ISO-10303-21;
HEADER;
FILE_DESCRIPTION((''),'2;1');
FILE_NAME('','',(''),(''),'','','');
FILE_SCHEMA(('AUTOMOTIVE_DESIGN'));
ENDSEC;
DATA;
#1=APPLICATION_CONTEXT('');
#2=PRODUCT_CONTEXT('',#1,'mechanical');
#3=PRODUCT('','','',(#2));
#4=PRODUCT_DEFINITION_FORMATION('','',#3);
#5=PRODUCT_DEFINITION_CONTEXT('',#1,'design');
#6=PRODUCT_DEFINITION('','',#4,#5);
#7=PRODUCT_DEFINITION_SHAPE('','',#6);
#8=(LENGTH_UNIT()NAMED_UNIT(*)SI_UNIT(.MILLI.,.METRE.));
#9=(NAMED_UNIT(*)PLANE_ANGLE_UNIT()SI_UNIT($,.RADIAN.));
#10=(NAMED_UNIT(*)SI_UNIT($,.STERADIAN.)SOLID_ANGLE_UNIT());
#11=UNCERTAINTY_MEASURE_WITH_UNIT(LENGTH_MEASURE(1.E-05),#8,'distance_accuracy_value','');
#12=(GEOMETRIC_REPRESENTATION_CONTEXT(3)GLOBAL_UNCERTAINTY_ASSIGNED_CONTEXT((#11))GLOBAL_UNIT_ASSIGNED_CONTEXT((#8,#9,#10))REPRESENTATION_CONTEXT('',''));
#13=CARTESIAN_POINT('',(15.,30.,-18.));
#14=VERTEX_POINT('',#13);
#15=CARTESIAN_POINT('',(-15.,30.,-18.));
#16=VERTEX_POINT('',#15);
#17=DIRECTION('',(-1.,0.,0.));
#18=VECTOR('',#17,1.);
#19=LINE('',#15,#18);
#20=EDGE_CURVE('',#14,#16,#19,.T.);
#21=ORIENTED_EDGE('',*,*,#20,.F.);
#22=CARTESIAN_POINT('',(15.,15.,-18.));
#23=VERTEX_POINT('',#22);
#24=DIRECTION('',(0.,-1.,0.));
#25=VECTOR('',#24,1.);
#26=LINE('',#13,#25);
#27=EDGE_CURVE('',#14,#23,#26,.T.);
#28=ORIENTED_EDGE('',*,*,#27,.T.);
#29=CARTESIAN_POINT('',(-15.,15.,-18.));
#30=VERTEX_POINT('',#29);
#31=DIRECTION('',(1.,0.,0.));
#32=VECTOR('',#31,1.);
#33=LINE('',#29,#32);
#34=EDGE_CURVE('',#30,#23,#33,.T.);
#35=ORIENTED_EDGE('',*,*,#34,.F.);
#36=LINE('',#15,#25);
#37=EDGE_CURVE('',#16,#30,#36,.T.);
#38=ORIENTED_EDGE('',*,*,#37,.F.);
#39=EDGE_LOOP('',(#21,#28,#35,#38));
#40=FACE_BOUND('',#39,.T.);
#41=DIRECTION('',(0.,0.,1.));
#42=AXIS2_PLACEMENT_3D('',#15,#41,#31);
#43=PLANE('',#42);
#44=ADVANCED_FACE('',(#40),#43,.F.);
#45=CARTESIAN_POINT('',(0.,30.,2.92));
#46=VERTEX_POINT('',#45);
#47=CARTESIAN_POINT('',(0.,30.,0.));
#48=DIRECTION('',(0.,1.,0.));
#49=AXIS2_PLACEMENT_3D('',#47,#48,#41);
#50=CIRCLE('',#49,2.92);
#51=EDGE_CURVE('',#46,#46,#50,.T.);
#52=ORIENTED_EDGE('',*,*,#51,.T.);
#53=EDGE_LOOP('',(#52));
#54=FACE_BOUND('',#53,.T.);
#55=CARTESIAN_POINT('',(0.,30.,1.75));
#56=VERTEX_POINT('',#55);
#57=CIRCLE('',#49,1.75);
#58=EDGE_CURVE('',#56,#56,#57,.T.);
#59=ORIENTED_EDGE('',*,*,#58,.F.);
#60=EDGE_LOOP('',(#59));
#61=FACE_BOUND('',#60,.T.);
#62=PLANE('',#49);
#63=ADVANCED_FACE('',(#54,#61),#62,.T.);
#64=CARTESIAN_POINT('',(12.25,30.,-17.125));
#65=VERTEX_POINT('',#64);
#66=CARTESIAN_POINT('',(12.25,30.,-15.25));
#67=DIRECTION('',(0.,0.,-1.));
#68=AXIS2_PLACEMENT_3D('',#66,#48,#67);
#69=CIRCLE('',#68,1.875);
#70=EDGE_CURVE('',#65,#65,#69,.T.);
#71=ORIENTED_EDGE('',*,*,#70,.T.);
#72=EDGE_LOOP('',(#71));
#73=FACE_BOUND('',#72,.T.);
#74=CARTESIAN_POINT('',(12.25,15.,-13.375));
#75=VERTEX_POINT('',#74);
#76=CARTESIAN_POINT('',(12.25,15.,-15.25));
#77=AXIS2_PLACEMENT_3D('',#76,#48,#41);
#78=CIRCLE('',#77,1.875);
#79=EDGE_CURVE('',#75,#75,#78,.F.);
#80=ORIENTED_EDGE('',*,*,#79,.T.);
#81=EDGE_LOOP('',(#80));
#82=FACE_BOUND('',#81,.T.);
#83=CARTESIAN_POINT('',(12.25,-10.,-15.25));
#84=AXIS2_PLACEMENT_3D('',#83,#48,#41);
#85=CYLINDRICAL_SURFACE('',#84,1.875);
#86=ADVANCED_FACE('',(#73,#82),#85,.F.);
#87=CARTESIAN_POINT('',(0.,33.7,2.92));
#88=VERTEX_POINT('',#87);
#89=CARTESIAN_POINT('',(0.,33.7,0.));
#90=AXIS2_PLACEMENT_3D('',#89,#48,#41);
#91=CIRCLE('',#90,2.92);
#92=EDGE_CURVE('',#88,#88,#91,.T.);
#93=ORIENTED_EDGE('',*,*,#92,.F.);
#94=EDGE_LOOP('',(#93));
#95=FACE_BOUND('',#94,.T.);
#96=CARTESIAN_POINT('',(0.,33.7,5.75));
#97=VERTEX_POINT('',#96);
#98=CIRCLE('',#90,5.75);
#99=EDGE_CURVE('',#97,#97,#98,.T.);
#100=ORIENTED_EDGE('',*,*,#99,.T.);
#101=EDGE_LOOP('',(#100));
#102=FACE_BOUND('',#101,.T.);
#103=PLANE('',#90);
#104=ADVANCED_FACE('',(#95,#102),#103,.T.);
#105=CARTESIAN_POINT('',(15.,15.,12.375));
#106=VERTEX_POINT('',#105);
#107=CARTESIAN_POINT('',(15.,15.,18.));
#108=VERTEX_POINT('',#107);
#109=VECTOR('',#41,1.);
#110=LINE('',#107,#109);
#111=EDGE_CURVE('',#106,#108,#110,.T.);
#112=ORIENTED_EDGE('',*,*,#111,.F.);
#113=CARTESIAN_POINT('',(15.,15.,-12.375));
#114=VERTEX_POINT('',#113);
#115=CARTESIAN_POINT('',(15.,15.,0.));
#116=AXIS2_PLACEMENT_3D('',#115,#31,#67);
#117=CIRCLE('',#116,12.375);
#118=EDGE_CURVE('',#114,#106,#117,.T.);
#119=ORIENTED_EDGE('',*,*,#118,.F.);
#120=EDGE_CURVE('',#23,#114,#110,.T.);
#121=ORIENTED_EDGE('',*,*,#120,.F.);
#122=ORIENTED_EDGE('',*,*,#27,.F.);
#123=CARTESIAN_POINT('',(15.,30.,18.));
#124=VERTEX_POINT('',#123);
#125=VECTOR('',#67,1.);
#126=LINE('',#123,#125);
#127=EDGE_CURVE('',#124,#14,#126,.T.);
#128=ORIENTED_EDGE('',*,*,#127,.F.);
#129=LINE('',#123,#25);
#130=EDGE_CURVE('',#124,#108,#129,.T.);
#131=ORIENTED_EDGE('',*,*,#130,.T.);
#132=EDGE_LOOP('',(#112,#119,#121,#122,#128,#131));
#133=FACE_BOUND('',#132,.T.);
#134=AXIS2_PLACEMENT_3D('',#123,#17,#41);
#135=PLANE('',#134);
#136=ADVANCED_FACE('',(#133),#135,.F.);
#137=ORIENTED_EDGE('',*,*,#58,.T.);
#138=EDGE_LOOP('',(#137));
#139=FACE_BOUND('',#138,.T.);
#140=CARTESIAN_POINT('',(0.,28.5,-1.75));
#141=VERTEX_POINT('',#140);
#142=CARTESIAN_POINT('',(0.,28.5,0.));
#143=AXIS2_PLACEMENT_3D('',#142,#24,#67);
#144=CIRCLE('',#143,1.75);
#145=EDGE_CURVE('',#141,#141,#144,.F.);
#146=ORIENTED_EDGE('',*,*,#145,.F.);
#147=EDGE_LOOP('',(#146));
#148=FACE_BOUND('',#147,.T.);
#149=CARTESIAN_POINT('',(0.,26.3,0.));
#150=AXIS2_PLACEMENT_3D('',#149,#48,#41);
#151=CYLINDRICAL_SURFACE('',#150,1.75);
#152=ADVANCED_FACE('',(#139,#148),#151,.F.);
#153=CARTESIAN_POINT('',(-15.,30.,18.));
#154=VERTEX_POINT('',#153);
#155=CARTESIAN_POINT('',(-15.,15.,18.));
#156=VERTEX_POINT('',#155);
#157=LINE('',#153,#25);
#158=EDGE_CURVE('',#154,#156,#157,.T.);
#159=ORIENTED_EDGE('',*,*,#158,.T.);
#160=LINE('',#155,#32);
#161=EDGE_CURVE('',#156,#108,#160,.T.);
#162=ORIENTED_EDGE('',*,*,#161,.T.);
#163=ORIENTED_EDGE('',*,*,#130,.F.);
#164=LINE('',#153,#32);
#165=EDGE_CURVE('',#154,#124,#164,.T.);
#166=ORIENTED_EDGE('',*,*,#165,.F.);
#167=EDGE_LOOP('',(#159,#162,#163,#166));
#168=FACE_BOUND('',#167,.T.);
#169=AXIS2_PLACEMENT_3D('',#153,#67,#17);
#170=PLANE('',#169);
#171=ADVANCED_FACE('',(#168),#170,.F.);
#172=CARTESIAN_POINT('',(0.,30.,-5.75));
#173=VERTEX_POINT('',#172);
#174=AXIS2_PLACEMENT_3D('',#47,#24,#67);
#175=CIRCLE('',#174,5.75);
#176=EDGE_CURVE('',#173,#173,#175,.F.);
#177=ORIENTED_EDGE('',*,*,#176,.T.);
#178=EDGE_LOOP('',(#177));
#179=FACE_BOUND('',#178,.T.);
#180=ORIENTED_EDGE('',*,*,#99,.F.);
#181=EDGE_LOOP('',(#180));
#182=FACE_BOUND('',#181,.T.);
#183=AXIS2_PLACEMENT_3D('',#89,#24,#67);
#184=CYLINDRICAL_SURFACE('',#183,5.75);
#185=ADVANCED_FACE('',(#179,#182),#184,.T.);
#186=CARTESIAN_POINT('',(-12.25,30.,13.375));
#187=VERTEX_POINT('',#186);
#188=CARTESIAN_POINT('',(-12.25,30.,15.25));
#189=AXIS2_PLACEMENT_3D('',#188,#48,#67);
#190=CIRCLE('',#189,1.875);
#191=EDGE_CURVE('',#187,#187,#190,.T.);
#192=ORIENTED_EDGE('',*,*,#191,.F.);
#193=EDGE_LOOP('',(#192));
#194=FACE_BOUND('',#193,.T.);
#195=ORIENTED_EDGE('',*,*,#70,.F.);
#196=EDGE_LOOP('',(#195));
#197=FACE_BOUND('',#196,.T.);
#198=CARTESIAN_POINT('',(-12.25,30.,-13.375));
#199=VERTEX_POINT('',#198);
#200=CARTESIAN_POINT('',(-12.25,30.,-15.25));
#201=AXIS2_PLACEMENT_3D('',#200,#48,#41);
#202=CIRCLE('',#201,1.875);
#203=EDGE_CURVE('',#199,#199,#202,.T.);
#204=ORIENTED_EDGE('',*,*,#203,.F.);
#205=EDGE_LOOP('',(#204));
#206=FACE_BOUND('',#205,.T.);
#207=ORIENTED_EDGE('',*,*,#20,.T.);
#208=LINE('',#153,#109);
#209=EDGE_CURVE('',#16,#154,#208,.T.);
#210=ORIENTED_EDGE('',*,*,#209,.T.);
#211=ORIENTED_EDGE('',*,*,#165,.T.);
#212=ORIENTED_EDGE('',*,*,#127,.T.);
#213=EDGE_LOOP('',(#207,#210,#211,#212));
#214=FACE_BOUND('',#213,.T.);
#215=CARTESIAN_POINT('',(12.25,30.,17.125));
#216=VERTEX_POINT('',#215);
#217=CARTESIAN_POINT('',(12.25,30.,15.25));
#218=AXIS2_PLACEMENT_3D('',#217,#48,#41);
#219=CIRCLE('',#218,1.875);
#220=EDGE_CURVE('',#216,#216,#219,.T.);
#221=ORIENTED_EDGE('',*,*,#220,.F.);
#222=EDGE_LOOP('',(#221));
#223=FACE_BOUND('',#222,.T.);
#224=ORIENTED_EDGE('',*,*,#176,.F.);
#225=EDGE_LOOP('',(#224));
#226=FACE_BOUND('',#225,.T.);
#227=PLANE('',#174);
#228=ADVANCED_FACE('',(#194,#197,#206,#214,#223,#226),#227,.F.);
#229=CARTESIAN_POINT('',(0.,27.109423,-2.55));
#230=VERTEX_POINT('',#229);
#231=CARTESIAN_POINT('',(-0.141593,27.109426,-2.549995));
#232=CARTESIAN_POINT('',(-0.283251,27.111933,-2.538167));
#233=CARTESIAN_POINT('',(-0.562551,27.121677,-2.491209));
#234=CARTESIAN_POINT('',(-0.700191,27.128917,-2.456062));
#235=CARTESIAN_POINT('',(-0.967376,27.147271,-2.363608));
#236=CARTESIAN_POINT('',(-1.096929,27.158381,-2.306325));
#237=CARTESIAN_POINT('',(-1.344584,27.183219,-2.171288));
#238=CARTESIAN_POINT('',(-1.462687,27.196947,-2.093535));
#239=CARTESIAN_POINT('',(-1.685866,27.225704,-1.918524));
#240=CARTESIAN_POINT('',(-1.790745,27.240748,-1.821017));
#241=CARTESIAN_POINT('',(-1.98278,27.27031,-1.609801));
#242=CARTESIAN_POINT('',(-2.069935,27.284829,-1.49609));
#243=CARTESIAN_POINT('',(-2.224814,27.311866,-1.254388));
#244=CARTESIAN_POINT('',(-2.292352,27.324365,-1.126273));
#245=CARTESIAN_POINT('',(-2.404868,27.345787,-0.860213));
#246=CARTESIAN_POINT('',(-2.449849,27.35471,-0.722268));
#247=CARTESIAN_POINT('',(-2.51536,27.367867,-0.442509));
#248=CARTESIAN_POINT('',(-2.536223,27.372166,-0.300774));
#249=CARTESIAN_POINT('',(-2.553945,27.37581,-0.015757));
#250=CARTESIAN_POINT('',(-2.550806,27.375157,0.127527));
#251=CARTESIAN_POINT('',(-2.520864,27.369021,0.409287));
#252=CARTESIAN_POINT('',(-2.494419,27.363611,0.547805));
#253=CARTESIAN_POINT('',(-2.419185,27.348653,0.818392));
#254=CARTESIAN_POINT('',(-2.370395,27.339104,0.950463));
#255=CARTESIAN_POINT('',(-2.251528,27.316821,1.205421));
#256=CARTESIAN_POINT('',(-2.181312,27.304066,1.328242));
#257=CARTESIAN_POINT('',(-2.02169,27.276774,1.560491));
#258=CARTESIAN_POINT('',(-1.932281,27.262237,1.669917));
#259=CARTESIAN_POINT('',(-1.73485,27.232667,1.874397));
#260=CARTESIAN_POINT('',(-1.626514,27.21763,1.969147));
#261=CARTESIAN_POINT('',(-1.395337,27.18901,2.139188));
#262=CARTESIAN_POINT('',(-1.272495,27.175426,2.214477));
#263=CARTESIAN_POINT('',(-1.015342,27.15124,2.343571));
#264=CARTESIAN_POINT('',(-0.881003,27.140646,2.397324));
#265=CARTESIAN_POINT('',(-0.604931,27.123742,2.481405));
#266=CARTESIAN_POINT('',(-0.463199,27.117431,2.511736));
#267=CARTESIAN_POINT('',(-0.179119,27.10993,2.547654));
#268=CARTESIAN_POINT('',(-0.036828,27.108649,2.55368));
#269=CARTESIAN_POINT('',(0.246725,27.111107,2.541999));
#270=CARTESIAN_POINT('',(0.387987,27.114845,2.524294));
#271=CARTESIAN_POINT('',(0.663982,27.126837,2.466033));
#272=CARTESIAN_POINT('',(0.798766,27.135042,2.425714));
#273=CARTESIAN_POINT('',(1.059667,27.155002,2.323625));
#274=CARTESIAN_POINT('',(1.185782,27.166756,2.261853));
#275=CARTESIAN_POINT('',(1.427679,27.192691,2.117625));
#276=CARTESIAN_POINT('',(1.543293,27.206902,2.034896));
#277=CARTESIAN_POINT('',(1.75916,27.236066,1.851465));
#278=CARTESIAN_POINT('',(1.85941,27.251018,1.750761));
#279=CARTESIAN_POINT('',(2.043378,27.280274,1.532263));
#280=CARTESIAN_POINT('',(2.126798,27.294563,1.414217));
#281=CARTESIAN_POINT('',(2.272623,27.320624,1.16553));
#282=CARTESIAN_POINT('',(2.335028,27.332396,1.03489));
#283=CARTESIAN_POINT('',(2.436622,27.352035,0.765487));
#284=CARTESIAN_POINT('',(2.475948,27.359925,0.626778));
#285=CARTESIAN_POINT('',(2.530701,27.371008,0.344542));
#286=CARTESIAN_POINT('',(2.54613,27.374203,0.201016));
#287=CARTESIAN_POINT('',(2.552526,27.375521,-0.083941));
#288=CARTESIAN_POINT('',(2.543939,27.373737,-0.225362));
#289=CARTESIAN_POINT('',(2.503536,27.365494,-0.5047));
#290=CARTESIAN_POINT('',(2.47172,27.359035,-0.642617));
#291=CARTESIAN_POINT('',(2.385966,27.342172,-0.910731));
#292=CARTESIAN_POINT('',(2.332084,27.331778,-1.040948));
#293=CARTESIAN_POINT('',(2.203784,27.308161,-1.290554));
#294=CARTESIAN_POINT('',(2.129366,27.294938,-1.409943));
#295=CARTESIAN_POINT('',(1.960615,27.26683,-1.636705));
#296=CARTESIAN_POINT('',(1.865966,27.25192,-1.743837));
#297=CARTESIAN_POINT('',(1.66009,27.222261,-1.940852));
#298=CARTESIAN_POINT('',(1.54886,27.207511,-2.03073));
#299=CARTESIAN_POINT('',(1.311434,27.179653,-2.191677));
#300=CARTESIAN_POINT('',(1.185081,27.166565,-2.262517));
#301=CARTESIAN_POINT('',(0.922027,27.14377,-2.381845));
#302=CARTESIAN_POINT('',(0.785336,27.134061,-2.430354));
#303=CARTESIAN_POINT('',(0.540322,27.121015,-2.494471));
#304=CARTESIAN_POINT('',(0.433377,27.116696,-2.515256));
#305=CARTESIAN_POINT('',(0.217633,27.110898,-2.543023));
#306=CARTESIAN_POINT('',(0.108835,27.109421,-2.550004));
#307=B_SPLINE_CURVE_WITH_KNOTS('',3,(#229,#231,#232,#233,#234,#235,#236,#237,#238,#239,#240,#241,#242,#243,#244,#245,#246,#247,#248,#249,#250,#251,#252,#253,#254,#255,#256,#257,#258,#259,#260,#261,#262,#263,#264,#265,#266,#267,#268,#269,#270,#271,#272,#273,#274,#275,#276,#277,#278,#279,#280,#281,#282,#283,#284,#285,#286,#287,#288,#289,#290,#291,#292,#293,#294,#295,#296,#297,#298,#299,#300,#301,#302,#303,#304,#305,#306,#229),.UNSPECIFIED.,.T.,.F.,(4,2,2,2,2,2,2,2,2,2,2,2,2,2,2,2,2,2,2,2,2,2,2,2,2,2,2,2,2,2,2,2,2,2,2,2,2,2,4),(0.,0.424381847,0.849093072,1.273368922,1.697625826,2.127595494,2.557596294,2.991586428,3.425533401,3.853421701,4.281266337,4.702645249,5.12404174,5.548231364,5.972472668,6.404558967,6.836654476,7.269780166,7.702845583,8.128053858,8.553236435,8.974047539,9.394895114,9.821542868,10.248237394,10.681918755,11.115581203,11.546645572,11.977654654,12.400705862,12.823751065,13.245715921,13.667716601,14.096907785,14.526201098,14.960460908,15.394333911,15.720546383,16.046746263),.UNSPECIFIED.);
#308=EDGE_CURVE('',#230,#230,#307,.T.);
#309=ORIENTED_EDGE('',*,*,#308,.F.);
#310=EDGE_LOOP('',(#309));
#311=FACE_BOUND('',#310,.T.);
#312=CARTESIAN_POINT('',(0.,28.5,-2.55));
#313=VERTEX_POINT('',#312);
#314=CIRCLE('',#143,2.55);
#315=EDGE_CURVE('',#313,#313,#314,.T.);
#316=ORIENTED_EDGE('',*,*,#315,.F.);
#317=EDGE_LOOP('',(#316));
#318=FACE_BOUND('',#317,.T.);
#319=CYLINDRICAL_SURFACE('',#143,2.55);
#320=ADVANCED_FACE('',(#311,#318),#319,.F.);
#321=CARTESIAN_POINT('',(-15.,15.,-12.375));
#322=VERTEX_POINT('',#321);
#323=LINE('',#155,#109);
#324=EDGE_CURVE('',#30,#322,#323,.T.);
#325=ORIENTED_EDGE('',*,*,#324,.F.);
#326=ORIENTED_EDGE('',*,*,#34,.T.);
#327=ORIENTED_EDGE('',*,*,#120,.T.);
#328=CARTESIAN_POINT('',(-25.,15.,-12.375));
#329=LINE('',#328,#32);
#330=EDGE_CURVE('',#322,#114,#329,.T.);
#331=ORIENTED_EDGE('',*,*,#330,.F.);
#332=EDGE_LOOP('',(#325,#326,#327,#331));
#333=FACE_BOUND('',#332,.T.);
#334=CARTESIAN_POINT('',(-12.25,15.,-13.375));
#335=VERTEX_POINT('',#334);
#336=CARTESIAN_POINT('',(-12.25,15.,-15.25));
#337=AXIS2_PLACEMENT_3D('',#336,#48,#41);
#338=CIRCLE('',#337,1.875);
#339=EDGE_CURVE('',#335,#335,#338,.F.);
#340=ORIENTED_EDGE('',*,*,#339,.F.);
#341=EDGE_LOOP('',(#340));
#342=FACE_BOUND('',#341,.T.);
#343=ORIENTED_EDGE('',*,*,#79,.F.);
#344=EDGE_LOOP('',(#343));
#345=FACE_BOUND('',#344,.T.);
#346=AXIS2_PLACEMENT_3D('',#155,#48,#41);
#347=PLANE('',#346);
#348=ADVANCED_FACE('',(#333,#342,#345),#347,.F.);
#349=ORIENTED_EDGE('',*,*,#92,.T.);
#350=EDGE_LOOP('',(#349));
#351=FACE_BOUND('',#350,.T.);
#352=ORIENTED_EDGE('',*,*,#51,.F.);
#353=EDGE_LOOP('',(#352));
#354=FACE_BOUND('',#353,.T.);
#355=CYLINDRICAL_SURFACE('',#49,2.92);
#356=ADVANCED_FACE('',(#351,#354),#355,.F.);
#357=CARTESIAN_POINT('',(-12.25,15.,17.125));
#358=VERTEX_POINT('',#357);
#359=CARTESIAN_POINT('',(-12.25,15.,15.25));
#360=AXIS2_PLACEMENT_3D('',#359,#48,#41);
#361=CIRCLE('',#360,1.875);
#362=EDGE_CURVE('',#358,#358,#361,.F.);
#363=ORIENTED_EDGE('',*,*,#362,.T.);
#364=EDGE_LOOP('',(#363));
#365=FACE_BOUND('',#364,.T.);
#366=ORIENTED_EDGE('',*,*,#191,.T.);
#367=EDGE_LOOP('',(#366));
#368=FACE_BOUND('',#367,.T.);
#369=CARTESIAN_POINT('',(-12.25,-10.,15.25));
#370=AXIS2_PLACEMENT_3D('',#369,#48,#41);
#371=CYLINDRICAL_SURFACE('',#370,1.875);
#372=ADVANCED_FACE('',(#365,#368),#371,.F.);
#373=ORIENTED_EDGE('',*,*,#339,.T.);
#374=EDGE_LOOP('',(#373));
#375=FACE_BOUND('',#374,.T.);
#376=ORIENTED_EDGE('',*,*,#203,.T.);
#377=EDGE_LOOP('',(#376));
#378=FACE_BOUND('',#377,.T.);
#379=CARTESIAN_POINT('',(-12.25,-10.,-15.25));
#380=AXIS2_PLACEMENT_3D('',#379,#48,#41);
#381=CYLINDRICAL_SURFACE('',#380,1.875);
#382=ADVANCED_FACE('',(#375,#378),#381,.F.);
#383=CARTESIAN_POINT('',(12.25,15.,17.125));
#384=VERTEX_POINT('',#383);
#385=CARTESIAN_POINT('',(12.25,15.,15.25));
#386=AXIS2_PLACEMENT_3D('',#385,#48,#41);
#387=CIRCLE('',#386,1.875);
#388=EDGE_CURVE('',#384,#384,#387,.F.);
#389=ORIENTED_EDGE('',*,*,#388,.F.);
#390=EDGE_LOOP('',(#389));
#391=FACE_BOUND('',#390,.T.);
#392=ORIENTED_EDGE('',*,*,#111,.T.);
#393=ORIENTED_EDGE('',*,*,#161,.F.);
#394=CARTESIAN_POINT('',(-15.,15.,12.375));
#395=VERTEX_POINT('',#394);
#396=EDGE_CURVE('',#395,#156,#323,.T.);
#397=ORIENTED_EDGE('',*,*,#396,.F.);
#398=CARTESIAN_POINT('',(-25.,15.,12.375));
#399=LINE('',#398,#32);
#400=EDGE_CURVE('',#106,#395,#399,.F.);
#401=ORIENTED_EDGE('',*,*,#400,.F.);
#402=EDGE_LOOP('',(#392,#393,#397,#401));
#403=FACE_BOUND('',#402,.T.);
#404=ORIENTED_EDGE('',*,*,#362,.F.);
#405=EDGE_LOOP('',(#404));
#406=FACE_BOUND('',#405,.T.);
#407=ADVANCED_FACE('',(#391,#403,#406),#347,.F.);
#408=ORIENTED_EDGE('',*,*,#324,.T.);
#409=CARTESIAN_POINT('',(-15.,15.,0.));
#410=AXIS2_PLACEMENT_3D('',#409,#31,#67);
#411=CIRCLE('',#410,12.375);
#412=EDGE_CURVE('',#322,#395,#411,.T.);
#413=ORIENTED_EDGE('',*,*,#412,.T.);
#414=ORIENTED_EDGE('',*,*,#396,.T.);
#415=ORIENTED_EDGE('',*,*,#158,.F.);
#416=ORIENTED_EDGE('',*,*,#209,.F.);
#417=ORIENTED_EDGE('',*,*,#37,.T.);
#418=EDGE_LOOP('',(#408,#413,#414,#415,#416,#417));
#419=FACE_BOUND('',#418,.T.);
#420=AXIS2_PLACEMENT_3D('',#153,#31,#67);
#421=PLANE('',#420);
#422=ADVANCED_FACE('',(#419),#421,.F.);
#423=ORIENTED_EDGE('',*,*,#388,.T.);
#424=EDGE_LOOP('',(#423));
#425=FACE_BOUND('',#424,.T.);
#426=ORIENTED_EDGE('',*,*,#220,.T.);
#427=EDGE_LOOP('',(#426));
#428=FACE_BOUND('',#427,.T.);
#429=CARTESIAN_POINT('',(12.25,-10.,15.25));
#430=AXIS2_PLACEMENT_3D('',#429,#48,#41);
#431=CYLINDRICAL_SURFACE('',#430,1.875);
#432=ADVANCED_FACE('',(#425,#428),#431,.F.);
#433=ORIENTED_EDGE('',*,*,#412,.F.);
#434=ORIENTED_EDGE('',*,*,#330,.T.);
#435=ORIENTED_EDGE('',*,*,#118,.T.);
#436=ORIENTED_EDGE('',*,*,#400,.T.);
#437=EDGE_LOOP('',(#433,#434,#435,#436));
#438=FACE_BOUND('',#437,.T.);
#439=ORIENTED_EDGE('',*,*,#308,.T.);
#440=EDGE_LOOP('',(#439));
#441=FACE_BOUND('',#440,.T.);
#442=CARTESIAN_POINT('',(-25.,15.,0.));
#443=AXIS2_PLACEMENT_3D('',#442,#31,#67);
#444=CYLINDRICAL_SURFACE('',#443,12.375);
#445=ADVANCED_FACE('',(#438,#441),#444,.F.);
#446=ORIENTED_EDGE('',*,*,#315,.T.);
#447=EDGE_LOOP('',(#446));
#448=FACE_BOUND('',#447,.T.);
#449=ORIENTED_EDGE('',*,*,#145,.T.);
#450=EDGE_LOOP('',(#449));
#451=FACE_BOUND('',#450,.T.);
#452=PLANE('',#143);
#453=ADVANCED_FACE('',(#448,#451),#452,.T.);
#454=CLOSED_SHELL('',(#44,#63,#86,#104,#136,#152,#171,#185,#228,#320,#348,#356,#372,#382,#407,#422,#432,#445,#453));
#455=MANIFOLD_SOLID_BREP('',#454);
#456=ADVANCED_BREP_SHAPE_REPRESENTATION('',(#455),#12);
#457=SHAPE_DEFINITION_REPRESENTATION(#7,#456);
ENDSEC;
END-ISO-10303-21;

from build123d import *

# Parameters (mm, degrees)
SKETCH1_W           = 30
SKETCH1_H           = 36
BOSS_EXTRUDE1_DEPTH = 30
SKETCH3_R           = 12.375
CUT_EXTRUDE1_DEPTH  = 40
SKETCH5_R           = 1.875
CUT_EXTRUDE2_DEPTH  = 40
CUT_EXTRUDE3_START  = 15
SKETCH7_W           = 36
SKETCH7_H           = 15
CUT_EXTRUDE3_DEPTH  = 31
SKETCH8_R           = 5.75
BOSS_EXTRUDE2_DEPTH = 3.7
SKETCH11_R          = 2.92
CUT_EXTRUDE5_DEPTH  = 3.7
SKETCH12_R          = 1.75
CUT_EXTRUDE6_DEPTH  = 3.7
SKETCH14_R          = 2.55
CUT_EXTRUDE8_DEPTH  = 13.5


with BuildPart() as part:
    # Sketch1 → Boss-Extrude1 (new body)
    with BuildSketch(Plane(origin=(0, 0, 0), x_dir=(1, 0, 0), z_dir=(0, 1, 0))):
        Rectangle(SKETCH1_W, SKETCH1_H)
    extrude(amount=BOSS_EXTRUDE1_DEPTH)

    # Sketch3 → Cut-Extrude1 (cut)
    with BuildSketch(Plane(origin=(15, 0, 0), x_dir=(0, 0, -1), z_dir=(1, 0, 0))):
        with Locations((0, 15)):
            Circle(SKETCH3_R)
    extrude(amount=-CUT_EXTRUDE1_DEPTH, mode=Mode.SUBTRACT)

    # Sketch5 → Cut-Extrude2 (cut)
    with BuildSketch(Plane(origin=(0, 30, 0), x_dir=(1, 0, 0), z_dir=(0, 1, 0))):
        with Locations((-12.25, 15.25)):
            Circle(SKETCH5_R)
        with Locations((-12.25, -15.25)):
            Circle(SKETCH5_R)
        with Locations((12.25, -15.25)):
            Circle(SKETCH5_R)
        with Locations((12.25, 15.25)):
            Circle(SKETCH5_R)
    extrude(amount=-CUT_EXTRUDE2_DEPTH, mode=Mode.SUBTRACT)

    # Sketch7 → Cut-Extrude3 (cut, through all)
    with BuildSketch(Plane(origin=(0, 0, 0), x_dir=(0, 0, -1), z_dir=(1, 0, 0)).offset(CUT_EXTRUDE3_START)):
        with Locations((0, 7.5)):
            Rectangle(SKETCH7_W, SKETCH7_H)
    extrude(amount=-CUT_EXTRUDE3_DEPTH, mode=Mode.SUBTRACT)

    # Sketch8 → Boss-Extrude2 (add)
    with BuildSketch(Plane(origin=(0, 30, 0), x_dir=(1, 0, 0), z_dir=(0, 1, 0))):
        Circle(SKETCH8_R)
    extrude(amount=BOSS_EXTRUDE2_DEPTH)

    # Sketch11 → Cut-Extrude5 (cut)
    with BuildSketch(Plane(origin=(0, 33.7, 0), x_dir=(1, 0, 0), z_dir=(0, 1, 0))):
        Circle(SKETCH11_R)
    extrude(amount=-CUT_EXTRUDE5_DEPTH, mode=Mode.SUBTRACT)

    # Sketch12 → Cut-Extrude6 (cut)
    with BuildSketch(Plane(origin=(0, 30, 0), x_dir=(1, 0, 0), z_dir=(0, 1, 0))):
        Circle(SKETCH12_R)
    extrude(amount=-CUT_EXTRUDE6_DEPTH, mode=Mode.SUBTRACT)

    # Sketch14 → Cut-Extrude8 (cut)
    with BuildSketch(Plane.XZ.offset(-15)):
        Circle(SKETCH14_R)
    extrude(amount=-CUT_EXTRUDE8_DEPTH, mode=Mode.SUBTRACT)


solid = part.part
